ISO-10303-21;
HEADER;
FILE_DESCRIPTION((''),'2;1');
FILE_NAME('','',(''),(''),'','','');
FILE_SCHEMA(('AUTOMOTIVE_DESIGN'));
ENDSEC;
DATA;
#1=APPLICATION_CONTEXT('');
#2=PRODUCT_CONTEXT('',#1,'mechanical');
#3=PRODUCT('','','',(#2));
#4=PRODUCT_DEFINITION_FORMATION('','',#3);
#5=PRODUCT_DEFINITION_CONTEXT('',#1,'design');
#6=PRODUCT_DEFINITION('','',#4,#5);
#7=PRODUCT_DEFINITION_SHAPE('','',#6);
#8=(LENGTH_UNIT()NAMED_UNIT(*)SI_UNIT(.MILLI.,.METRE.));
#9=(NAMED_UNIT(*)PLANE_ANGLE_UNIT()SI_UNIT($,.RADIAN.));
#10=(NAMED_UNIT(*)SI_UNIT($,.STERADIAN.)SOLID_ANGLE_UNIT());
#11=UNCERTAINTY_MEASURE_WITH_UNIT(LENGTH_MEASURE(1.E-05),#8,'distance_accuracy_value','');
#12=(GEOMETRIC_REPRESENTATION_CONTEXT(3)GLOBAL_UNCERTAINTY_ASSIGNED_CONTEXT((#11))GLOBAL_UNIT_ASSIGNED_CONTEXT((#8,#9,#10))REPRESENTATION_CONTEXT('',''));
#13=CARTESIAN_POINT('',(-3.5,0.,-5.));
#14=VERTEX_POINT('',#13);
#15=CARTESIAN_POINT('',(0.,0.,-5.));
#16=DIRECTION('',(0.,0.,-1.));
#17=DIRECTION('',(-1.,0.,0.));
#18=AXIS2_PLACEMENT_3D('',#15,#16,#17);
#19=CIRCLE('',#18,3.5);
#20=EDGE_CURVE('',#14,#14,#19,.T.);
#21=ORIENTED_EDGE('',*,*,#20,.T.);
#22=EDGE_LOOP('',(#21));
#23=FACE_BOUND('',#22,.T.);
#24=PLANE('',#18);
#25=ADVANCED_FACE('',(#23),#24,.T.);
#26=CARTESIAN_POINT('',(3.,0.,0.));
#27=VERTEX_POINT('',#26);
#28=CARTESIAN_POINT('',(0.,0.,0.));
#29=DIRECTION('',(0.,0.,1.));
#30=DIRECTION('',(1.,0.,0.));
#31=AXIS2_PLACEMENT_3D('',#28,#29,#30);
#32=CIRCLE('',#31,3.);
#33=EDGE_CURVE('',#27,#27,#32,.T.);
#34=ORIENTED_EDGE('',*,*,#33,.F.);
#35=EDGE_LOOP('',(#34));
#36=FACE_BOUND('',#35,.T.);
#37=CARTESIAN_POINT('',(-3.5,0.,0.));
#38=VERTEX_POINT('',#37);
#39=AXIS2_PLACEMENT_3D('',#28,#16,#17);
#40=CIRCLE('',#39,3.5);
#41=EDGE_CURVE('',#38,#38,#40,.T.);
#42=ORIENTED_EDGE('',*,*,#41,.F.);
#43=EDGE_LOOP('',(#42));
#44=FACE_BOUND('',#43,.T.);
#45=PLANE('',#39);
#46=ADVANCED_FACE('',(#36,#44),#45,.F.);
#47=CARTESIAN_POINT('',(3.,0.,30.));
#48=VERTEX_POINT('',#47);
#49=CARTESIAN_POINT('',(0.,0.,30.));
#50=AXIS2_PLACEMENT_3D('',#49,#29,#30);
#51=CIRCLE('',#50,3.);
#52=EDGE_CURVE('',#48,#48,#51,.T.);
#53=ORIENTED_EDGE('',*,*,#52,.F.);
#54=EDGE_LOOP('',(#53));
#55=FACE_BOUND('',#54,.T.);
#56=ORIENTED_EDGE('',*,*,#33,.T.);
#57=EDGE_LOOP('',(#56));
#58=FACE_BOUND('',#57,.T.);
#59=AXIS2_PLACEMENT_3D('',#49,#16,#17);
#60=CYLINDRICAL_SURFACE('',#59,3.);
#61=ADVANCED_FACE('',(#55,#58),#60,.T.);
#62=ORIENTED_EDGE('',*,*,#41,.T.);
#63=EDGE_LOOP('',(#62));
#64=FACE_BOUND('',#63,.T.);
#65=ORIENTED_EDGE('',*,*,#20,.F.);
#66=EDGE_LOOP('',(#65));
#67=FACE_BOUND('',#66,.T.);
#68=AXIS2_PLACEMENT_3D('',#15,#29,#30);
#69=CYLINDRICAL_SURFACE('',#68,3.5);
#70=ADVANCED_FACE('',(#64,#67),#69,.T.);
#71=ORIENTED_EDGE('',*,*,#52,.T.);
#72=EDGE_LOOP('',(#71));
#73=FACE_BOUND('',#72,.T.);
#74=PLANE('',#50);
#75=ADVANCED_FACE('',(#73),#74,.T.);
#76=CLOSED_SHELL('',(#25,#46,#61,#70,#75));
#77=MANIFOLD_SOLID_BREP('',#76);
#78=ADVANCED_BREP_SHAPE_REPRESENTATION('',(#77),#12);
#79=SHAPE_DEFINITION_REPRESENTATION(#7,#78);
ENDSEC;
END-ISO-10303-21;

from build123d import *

# Parameters (mm, degrees)
SKETCH1_R           = 3
BOSS_EXTRUDE1_DEPTH = 30
SKETCH2_R           = 3.5
BOSS_EXTRUDE2_DEPTH = 5


with BuildPart() as part:
    # Sketch1 → Boss-Extrude1 (new body)
    with BuildSketch(Plane.XY):
        Circle(SKETCH1_R)
    extrude(amount=BOSS_EXTRUDE1_DEPTH)

    # Sketch2 → Boss-Extrude2 (add)
    with BuildSketch(Plane(origin=(0, 0, 0), x_dir=(-1, 0, 0), z_dir=(0, 0, -1))):
        Circle(SKETCH2_R)
    extrude(amount=BOSS_EXTRUDE2_DEPTH)


solid = part.part
